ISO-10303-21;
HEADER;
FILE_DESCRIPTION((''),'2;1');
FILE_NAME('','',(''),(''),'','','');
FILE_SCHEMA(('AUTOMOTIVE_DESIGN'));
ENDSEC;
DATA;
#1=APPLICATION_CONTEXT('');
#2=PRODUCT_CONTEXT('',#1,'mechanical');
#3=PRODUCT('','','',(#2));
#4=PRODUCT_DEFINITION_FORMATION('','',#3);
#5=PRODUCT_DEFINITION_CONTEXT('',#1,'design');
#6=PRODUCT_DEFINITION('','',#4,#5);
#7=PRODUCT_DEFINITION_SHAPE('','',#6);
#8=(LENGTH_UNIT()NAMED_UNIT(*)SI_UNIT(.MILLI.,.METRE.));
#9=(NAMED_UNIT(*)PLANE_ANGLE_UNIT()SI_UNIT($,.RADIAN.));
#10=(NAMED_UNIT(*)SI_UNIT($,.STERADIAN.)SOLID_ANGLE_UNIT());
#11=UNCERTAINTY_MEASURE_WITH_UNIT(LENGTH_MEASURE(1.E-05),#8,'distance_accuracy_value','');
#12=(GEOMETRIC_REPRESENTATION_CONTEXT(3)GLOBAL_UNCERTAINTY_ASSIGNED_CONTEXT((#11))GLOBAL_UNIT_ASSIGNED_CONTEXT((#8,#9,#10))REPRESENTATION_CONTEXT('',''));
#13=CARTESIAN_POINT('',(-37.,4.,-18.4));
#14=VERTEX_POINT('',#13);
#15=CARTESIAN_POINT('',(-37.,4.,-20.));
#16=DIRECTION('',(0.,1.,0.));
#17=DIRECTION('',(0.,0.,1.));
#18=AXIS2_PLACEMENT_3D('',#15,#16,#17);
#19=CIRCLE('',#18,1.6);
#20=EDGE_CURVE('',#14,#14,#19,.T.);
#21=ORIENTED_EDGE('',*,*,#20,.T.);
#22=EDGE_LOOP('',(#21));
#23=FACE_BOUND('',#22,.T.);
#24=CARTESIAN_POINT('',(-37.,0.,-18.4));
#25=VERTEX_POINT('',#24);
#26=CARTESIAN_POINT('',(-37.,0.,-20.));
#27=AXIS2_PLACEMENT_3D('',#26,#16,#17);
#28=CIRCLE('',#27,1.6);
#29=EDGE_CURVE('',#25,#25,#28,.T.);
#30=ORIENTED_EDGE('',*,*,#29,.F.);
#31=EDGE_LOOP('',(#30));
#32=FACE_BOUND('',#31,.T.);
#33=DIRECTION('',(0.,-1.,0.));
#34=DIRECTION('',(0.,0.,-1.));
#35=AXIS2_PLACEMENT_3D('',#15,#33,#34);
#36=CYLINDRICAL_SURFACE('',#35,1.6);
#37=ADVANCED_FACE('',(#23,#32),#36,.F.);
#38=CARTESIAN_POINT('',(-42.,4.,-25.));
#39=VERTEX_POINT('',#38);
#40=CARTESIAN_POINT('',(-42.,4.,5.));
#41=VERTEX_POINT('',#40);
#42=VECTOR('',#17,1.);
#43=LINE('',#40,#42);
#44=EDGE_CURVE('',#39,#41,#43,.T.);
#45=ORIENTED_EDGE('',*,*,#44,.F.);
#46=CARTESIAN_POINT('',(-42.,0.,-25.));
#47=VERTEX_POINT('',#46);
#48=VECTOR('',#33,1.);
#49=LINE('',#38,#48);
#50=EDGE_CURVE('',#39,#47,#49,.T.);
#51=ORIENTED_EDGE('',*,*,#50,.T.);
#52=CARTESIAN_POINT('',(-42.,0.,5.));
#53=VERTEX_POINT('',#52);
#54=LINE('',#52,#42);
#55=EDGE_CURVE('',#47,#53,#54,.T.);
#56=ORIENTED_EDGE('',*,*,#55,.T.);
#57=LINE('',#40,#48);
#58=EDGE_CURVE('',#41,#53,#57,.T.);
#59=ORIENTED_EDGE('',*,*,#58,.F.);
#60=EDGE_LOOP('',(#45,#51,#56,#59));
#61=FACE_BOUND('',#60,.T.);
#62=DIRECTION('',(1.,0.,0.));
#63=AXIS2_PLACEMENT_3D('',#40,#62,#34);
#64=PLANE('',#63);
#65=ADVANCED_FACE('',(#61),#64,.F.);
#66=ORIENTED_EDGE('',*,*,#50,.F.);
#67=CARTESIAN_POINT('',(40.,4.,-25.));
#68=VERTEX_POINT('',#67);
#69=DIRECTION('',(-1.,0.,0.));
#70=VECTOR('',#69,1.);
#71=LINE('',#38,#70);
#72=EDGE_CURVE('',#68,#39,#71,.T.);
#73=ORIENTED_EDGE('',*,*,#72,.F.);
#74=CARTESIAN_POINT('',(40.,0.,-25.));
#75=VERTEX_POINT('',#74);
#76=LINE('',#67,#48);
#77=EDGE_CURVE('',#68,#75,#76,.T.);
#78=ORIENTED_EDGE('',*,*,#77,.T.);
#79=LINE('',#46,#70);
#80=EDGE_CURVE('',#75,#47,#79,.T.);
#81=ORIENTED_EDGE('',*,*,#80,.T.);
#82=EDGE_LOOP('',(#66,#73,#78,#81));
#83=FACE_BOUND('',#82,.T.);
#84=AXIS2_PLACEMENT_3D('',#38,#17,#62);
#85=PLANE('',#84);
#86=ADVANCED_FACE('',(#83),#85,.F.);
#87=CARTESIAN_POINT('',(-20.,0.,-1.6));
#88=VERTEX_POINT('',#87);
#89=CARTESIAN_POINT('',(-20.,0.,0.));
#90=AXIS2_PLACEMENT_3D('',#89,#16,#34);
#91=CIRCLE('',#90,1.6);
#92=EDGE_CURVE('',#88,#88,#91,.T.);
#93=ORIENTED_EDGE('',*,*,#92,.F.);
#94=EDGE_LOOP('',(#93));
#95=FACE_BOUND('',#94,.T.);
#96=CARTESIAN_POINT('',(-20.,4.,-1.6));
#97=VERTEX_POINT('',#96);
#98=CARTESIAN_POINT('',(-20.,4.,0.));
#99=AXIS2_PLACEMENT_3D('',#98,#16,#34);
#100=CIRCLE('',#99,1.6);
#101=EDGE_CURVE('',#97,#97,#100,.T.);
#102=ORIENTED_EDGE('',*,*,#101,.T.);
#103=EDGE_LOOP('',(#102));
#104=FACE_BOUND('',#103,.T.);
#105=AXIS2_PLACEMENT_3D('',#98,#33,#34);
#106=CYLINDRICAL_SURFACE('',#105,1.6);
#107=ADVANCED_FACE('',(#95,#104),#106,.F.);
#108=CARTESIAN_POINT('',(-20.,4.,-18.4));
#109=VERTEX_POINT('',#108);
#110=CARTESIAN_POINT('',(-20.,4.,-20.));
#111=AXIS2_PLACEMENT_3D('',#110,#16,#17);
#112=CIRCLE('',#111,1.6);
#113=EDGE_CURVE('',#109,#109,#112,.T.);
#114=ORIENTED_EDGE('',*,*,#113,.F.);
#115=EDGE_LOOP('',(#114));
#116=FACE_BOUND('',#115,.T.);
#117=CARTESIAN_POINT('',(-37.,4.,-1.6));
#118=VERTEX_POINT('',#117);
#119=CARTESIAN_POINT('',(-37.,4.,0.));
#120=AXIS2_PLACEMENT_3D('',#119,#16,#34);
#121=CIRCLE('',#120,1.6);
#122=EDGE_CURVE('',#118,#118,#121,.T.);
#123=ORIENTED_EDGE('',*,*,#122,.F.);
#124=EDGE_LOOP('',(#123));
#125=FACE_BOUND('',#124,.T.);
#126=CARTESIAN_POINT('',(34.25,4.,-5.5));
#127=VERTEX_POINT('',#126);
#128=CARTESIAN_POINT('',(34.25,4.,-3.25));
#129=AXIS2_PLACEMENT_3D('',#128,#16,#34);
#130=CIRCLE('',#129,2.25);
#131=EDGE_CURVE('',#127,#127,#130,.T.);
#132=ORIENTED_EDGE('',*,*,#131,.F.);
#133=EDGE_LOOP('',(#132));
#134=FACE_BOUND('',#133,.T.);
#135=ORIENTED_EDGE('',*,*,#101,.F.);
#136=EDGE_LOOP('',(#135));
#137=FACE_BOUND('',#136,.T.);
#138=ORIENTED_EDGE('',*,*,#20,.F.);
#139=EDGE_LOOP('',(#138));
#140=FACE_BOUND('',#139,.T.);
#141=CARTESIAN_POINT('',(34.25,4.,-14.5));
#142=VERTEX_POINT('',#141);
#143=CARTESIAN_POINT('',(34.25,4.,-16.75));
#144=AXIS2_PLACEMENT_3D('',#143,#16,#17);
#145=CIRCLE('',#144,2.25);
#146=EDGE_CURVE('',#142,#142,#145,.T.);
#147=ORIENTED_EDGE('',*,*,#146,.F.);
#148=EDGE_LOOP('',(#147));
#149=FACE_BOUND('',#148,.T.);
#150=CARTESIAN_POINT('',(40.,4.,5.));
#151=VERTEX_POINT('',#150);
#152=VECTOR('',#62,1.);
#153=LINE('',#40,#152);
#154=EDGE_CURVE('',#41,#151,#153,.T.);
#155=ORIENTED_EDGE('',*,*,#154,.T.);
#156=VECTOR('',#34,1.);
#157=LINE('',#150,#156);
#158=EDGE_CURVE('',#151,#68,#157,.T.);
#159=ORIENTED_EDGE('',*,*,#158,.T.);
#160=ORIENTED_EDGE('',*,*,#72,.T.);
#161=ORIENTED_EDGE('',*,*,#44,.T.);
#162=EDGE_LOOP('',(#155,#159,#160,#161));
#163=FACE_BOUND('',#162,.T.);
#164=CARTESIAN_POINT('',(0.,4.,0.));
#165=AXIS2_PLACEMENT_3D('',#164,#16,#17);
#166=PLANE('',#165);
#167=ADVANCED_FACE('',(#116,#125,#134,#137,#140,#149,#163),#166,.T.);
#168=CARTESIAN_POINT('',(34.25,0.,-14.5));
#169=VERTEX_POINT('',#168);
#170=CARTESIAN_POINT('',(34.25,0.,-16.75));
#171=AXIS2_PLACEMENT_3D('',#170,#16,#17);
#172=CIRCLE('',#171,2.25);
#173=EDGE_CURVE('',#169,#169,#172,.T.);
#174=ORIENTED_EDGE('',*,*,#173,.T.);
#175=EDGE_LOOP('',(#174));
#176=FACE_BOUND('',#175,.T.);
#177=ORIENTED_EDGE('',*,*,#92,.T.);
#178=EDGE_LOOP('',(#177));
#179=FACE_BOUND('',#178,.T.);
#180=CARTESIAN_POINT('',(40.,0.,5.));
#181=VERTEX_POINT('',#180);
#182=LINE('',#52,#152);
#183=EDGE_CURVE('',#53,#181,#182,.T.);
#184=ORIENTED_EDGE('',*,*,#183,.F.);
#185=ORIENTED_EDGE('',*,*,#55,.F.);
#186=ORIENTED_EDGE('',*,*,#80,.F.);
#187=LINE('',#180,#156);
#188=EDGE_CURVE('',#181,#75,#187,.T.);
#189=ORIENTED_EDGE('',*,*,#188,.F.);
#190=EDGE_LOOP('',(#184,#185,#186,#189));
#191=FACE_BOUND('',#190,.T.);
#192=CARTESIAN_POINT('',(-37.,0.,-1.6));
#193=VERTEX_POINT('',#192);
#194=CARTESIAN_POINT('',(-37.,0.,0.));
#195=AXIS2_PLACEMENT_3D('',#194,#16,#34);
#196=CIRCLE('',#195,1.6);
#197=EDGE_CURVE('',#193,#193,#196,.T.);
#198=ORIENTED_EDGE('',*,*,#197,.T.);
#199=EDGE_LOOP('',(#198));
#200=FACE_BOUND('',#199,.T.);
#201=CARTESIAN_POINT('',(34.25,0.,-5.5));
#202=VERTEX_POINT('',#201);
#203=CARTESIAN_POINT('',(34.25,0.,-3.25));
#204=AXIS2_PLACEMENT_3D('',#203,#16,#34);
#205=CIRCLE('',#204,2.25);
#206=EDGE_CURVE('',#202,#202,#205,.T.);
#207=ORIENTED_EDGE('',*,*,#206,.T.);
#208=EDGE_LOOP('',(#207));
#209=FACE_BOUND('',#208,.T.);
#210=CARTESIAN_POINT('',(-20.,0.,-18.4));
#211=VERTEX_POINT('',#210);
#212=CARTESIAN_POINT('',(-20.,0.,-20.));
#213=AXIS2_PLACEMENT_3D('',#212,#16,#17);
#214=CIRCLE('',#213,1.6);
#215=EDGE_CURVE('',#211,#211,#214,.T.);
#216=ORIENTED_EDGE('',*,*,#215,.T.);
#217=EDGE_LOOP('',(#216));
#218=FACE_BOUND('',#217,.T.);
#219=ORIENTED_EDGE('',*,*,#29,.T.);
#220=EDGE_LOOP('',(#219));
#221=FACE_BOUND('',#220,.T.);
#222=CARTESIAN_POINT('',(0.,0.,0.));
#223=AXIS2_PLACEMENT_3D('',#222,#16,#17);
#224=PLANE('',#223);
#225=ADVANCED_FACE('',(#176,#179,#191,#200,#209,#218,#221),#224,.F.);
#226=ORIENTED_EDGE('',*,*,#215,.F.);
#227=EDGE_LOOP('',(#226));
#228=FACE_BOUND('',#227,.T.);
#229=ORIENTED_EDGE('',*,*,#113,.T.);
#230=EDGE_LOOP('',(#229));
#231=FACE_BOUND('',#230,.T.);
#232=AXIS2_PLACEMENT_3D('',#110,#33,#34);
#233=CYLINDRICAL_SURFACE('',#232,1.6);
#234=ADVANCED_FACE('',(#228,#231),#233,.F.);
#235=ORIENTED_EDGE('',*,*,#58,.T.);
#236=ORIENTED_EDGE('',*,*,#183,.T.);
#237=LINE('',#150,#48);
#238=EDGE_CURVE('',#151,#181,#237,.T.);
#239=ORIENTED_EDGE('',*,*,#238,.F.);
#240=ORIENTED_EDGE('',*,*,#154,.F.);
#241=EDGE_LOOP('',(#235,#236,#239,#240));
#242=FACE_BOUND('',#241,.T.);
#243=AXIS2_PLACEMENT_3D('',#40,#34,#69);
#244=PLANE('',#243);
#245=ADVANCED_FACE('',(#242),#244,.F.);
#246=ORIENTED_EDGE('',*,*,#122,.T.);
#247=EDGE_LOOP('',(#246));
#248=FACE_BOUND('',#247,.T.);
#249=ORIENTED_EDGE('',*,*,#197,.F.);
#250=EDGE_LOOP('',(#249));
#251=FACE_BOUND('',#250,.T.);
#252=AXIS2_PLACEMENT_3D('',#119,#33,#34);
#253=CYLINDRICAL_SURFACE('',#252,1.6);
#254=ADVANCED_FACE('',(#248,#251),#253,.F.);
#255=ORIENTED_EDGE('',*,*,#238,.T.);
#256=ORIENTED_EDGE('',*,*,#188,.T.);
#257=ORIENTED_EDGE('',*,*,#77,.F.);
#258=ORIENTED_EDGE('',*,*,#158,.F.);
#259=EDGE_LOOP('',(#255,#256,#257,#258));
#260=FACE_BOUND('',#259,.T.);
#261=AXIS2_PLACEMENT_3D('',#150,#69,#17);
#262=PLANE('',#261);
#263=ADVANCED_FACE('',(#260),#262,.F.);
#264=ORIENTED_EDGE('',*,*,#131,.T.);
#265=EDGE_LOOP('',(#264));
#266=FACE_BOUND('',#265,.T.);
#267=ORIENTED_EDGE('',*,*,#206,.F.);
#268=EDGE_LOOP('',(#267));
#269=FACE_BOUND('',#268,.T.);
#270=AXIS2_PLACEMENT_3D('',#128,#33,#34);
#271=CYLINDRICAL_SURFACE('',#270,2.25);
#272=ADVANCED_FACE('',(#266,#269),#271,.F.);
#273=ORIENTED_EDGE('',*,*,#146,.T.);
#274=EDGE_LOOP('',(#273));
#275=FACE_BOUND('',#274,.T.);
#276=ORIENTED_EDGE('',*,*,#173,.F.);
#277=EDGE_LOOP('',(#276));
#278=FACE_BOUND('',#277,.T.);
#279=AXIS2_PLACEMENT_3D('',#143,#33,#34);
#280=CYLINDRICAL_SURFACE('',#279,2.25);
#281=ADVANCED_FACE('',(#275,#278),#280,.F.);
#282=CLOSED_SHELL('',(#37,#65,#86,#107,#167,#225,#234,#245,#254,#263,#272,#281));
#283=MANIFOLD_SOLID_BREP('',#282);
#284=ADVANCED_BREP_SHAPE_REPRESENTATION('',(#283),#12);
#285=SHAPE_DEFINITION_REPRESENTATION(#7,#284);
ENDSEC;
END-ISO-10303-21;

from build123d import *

# Parameters (mm, degrees)
SKETCH_1_W      = 82
SKETCH_1_H      = 30
SKETCH_1_R      = 1.6
SKETCH_1_R_2    = 2.25
EXTRUDE_1_DEPTH = 4


with BuildPart() as part:
    # 草图1 → 凸台-拉伸1 (new body)
    with BuildSketch(Plane(origin=(0, 0, 0), x_dir=(1, 0, 0), z_dir=(0, 1, 0))):
        with Locations((-1, 10)):
            Rectangle(SKETCH_1_W, SKETCH_1_H)
        with Locations((-20, 20)):
            Circle(SKETCH_1_R, mode=Mode.SUBTRACT)
        with Locations((-37, 20)):
            Circle(SKETCH_1_R, mode=Mode.SUBTRACT)
        with Locations((-20, 0)):
            Circle(SKETCH_1_R, mode=Mode.SUBTRACT)
        with Locations((-37, 0)):
            Circle(SKETCH_1_R, mode=Mode.SUBTRACT)
        with Locations((34.25, 16.75)):
            Circle(SKETCH_1_R_2, mode=Mode.SUBTRACT)
        with Locations((34.25, 3.25)):
            Circle(SKETCH_1_R_2, mode=Mode.SUBTRACT)
    extrude(amount=EXTRUDE_1_DEPTH)


solid = part.part
